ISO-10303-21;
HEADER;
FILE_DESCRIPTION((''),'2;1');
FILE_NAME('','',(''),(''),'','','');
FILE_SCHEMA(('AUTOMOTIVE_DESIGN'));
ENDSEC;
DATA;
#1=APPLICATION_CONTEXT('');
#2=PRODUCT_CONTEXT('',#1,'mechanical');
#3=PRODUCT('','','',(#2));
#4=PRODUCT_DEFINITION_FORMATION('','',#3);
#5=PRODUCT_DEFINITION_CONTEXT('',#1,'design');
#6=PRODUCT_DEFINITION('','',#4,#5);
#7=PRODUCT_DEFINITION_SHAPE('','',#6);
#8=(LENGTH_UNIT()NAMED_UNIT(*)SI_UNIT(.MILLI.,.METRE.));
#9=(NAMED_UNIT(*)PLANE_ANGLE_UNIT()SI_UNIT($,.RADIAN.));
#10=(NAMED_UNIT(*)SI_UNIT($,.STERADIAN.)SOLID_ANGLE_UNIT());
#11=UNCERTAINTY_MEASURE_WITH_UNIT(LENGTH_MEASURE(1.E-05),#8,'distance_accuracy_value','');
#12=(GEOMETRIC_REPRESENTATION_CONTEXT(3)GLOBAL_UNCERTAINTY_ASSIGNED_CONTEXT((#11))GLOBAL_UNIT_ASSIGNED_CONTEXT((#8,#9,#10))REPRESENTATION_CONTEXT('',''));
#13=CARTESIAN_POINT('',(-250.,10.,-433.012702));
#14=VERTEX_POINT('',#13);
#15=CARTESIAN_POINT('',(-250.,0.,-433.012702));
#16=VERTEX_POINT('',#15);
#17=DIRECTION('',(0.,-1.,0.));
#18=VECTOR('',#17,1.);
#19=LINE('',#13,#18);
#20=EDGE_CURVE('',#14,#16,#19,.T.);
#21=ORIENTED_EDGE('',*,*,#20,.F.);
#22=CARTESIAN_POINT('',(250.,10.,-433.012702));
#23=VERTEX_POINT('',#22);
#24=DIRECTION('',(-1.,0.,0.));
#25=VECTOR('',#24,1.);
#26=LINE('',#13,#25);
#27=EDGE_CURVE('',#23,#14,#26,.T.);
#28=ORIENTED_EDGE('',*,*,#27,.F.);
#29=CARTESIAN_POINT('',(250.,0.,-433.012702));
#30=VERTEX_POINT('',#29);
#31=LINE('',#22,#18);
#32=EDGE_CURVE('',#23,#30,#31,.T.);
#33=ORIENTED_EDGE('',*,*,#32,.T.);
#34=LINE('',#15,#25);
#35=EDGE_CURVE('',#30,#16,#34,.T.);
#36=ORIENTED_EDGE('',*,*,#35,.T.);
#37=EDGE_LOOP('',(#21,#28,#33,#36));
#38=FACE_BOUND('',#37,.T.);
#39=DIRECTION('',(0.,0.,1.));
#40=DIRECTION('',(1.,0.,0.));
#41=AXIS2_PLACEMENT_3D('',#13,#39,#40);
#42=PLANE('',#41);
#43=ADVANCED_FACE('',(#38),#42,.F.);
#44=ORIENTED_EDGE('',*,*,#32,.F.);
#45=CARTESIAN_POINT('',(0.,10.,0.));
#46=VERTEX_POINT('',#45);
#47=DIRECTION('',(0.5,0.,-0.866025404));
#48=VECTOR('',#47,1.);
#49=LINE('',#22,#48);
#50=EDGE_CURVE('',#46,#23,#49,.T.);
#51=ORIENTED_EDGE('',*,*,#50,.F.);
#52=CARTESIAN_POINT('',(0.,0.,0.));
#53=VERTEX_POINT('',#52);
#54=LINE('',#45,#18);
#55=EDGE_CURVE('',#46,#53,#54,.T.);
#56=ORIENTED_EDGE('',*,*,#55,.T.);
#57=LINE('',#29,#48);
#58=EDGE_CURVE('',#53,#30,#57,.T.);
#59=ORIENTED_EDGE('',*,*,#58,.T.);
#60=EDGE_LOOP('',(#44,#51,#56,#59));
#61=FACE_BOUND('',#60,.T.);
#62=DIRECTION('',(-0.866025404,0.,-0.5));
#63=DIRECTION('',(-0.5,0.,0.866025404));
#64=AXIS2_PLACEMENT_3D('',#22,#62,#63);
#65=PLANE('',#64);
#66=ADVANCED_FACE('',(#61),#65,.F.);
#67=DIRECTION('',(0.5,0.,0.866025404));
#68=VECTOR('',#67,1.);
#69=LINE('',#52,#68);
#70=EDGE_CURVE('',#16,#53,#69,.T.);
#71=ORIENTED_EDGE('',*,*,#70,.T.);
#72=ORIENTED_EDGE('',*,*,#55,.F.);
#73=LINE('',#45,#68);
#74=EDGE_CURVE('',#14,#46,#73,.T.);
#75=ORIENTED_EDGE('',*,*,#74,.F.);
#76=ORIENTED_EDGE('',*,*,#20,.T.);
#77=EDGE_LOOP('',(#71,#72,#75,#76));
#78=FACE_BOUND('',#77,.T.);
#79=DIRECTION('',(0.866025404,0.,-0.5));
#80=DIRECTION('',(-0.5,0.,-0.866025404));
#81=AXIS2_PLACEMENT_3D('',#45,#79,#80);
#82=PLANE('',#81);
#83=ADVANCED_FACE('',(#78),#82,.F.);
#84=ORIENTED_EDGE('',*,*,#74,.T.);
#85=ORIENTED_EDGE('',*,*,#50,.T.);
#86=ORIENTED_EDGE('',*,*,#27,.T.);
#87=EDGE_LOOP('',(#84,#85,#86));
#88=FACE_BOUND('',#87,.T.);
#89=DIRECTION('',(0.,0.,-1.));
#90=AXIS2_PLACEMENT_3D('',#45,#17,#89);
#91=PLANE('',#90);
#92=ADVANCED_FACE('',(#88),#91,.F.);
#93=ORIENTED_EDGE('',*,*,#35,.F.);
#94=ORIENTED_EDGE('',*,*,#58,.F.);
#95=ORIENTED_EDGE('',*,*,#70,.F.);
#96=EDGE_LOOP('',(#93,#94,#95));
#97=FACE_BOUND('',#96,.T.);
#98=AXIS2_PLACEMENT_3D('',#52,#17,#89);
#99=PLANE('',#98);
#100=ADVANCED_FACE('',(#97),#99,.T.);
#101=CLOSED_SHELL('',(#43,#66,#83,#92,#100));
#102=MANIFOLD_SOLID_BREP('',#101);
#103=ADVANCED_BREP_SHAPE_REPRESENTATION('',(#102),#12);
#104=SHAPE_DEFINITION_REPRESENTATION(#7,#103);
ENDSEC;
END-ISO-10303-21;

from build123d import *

# Parameters (mm, degrees)
BOSS_EXTRUDE1_DEPTH = 10


with BuildPart() as part:
    # Sketch1 → Boss-Extrude1 (new body)
    with BuildSketch(Plane(origin=(0, 0, 0), x_dir=(1, 0, 0), z_dir=(0, 1, 0))):
        Polygon((0, 0), (-250, 433.012701892), (250, 433.012701892), align=None)
    extrude(amount=BOSS_EXTRUDE1_DEPTH)


solid = part.part
